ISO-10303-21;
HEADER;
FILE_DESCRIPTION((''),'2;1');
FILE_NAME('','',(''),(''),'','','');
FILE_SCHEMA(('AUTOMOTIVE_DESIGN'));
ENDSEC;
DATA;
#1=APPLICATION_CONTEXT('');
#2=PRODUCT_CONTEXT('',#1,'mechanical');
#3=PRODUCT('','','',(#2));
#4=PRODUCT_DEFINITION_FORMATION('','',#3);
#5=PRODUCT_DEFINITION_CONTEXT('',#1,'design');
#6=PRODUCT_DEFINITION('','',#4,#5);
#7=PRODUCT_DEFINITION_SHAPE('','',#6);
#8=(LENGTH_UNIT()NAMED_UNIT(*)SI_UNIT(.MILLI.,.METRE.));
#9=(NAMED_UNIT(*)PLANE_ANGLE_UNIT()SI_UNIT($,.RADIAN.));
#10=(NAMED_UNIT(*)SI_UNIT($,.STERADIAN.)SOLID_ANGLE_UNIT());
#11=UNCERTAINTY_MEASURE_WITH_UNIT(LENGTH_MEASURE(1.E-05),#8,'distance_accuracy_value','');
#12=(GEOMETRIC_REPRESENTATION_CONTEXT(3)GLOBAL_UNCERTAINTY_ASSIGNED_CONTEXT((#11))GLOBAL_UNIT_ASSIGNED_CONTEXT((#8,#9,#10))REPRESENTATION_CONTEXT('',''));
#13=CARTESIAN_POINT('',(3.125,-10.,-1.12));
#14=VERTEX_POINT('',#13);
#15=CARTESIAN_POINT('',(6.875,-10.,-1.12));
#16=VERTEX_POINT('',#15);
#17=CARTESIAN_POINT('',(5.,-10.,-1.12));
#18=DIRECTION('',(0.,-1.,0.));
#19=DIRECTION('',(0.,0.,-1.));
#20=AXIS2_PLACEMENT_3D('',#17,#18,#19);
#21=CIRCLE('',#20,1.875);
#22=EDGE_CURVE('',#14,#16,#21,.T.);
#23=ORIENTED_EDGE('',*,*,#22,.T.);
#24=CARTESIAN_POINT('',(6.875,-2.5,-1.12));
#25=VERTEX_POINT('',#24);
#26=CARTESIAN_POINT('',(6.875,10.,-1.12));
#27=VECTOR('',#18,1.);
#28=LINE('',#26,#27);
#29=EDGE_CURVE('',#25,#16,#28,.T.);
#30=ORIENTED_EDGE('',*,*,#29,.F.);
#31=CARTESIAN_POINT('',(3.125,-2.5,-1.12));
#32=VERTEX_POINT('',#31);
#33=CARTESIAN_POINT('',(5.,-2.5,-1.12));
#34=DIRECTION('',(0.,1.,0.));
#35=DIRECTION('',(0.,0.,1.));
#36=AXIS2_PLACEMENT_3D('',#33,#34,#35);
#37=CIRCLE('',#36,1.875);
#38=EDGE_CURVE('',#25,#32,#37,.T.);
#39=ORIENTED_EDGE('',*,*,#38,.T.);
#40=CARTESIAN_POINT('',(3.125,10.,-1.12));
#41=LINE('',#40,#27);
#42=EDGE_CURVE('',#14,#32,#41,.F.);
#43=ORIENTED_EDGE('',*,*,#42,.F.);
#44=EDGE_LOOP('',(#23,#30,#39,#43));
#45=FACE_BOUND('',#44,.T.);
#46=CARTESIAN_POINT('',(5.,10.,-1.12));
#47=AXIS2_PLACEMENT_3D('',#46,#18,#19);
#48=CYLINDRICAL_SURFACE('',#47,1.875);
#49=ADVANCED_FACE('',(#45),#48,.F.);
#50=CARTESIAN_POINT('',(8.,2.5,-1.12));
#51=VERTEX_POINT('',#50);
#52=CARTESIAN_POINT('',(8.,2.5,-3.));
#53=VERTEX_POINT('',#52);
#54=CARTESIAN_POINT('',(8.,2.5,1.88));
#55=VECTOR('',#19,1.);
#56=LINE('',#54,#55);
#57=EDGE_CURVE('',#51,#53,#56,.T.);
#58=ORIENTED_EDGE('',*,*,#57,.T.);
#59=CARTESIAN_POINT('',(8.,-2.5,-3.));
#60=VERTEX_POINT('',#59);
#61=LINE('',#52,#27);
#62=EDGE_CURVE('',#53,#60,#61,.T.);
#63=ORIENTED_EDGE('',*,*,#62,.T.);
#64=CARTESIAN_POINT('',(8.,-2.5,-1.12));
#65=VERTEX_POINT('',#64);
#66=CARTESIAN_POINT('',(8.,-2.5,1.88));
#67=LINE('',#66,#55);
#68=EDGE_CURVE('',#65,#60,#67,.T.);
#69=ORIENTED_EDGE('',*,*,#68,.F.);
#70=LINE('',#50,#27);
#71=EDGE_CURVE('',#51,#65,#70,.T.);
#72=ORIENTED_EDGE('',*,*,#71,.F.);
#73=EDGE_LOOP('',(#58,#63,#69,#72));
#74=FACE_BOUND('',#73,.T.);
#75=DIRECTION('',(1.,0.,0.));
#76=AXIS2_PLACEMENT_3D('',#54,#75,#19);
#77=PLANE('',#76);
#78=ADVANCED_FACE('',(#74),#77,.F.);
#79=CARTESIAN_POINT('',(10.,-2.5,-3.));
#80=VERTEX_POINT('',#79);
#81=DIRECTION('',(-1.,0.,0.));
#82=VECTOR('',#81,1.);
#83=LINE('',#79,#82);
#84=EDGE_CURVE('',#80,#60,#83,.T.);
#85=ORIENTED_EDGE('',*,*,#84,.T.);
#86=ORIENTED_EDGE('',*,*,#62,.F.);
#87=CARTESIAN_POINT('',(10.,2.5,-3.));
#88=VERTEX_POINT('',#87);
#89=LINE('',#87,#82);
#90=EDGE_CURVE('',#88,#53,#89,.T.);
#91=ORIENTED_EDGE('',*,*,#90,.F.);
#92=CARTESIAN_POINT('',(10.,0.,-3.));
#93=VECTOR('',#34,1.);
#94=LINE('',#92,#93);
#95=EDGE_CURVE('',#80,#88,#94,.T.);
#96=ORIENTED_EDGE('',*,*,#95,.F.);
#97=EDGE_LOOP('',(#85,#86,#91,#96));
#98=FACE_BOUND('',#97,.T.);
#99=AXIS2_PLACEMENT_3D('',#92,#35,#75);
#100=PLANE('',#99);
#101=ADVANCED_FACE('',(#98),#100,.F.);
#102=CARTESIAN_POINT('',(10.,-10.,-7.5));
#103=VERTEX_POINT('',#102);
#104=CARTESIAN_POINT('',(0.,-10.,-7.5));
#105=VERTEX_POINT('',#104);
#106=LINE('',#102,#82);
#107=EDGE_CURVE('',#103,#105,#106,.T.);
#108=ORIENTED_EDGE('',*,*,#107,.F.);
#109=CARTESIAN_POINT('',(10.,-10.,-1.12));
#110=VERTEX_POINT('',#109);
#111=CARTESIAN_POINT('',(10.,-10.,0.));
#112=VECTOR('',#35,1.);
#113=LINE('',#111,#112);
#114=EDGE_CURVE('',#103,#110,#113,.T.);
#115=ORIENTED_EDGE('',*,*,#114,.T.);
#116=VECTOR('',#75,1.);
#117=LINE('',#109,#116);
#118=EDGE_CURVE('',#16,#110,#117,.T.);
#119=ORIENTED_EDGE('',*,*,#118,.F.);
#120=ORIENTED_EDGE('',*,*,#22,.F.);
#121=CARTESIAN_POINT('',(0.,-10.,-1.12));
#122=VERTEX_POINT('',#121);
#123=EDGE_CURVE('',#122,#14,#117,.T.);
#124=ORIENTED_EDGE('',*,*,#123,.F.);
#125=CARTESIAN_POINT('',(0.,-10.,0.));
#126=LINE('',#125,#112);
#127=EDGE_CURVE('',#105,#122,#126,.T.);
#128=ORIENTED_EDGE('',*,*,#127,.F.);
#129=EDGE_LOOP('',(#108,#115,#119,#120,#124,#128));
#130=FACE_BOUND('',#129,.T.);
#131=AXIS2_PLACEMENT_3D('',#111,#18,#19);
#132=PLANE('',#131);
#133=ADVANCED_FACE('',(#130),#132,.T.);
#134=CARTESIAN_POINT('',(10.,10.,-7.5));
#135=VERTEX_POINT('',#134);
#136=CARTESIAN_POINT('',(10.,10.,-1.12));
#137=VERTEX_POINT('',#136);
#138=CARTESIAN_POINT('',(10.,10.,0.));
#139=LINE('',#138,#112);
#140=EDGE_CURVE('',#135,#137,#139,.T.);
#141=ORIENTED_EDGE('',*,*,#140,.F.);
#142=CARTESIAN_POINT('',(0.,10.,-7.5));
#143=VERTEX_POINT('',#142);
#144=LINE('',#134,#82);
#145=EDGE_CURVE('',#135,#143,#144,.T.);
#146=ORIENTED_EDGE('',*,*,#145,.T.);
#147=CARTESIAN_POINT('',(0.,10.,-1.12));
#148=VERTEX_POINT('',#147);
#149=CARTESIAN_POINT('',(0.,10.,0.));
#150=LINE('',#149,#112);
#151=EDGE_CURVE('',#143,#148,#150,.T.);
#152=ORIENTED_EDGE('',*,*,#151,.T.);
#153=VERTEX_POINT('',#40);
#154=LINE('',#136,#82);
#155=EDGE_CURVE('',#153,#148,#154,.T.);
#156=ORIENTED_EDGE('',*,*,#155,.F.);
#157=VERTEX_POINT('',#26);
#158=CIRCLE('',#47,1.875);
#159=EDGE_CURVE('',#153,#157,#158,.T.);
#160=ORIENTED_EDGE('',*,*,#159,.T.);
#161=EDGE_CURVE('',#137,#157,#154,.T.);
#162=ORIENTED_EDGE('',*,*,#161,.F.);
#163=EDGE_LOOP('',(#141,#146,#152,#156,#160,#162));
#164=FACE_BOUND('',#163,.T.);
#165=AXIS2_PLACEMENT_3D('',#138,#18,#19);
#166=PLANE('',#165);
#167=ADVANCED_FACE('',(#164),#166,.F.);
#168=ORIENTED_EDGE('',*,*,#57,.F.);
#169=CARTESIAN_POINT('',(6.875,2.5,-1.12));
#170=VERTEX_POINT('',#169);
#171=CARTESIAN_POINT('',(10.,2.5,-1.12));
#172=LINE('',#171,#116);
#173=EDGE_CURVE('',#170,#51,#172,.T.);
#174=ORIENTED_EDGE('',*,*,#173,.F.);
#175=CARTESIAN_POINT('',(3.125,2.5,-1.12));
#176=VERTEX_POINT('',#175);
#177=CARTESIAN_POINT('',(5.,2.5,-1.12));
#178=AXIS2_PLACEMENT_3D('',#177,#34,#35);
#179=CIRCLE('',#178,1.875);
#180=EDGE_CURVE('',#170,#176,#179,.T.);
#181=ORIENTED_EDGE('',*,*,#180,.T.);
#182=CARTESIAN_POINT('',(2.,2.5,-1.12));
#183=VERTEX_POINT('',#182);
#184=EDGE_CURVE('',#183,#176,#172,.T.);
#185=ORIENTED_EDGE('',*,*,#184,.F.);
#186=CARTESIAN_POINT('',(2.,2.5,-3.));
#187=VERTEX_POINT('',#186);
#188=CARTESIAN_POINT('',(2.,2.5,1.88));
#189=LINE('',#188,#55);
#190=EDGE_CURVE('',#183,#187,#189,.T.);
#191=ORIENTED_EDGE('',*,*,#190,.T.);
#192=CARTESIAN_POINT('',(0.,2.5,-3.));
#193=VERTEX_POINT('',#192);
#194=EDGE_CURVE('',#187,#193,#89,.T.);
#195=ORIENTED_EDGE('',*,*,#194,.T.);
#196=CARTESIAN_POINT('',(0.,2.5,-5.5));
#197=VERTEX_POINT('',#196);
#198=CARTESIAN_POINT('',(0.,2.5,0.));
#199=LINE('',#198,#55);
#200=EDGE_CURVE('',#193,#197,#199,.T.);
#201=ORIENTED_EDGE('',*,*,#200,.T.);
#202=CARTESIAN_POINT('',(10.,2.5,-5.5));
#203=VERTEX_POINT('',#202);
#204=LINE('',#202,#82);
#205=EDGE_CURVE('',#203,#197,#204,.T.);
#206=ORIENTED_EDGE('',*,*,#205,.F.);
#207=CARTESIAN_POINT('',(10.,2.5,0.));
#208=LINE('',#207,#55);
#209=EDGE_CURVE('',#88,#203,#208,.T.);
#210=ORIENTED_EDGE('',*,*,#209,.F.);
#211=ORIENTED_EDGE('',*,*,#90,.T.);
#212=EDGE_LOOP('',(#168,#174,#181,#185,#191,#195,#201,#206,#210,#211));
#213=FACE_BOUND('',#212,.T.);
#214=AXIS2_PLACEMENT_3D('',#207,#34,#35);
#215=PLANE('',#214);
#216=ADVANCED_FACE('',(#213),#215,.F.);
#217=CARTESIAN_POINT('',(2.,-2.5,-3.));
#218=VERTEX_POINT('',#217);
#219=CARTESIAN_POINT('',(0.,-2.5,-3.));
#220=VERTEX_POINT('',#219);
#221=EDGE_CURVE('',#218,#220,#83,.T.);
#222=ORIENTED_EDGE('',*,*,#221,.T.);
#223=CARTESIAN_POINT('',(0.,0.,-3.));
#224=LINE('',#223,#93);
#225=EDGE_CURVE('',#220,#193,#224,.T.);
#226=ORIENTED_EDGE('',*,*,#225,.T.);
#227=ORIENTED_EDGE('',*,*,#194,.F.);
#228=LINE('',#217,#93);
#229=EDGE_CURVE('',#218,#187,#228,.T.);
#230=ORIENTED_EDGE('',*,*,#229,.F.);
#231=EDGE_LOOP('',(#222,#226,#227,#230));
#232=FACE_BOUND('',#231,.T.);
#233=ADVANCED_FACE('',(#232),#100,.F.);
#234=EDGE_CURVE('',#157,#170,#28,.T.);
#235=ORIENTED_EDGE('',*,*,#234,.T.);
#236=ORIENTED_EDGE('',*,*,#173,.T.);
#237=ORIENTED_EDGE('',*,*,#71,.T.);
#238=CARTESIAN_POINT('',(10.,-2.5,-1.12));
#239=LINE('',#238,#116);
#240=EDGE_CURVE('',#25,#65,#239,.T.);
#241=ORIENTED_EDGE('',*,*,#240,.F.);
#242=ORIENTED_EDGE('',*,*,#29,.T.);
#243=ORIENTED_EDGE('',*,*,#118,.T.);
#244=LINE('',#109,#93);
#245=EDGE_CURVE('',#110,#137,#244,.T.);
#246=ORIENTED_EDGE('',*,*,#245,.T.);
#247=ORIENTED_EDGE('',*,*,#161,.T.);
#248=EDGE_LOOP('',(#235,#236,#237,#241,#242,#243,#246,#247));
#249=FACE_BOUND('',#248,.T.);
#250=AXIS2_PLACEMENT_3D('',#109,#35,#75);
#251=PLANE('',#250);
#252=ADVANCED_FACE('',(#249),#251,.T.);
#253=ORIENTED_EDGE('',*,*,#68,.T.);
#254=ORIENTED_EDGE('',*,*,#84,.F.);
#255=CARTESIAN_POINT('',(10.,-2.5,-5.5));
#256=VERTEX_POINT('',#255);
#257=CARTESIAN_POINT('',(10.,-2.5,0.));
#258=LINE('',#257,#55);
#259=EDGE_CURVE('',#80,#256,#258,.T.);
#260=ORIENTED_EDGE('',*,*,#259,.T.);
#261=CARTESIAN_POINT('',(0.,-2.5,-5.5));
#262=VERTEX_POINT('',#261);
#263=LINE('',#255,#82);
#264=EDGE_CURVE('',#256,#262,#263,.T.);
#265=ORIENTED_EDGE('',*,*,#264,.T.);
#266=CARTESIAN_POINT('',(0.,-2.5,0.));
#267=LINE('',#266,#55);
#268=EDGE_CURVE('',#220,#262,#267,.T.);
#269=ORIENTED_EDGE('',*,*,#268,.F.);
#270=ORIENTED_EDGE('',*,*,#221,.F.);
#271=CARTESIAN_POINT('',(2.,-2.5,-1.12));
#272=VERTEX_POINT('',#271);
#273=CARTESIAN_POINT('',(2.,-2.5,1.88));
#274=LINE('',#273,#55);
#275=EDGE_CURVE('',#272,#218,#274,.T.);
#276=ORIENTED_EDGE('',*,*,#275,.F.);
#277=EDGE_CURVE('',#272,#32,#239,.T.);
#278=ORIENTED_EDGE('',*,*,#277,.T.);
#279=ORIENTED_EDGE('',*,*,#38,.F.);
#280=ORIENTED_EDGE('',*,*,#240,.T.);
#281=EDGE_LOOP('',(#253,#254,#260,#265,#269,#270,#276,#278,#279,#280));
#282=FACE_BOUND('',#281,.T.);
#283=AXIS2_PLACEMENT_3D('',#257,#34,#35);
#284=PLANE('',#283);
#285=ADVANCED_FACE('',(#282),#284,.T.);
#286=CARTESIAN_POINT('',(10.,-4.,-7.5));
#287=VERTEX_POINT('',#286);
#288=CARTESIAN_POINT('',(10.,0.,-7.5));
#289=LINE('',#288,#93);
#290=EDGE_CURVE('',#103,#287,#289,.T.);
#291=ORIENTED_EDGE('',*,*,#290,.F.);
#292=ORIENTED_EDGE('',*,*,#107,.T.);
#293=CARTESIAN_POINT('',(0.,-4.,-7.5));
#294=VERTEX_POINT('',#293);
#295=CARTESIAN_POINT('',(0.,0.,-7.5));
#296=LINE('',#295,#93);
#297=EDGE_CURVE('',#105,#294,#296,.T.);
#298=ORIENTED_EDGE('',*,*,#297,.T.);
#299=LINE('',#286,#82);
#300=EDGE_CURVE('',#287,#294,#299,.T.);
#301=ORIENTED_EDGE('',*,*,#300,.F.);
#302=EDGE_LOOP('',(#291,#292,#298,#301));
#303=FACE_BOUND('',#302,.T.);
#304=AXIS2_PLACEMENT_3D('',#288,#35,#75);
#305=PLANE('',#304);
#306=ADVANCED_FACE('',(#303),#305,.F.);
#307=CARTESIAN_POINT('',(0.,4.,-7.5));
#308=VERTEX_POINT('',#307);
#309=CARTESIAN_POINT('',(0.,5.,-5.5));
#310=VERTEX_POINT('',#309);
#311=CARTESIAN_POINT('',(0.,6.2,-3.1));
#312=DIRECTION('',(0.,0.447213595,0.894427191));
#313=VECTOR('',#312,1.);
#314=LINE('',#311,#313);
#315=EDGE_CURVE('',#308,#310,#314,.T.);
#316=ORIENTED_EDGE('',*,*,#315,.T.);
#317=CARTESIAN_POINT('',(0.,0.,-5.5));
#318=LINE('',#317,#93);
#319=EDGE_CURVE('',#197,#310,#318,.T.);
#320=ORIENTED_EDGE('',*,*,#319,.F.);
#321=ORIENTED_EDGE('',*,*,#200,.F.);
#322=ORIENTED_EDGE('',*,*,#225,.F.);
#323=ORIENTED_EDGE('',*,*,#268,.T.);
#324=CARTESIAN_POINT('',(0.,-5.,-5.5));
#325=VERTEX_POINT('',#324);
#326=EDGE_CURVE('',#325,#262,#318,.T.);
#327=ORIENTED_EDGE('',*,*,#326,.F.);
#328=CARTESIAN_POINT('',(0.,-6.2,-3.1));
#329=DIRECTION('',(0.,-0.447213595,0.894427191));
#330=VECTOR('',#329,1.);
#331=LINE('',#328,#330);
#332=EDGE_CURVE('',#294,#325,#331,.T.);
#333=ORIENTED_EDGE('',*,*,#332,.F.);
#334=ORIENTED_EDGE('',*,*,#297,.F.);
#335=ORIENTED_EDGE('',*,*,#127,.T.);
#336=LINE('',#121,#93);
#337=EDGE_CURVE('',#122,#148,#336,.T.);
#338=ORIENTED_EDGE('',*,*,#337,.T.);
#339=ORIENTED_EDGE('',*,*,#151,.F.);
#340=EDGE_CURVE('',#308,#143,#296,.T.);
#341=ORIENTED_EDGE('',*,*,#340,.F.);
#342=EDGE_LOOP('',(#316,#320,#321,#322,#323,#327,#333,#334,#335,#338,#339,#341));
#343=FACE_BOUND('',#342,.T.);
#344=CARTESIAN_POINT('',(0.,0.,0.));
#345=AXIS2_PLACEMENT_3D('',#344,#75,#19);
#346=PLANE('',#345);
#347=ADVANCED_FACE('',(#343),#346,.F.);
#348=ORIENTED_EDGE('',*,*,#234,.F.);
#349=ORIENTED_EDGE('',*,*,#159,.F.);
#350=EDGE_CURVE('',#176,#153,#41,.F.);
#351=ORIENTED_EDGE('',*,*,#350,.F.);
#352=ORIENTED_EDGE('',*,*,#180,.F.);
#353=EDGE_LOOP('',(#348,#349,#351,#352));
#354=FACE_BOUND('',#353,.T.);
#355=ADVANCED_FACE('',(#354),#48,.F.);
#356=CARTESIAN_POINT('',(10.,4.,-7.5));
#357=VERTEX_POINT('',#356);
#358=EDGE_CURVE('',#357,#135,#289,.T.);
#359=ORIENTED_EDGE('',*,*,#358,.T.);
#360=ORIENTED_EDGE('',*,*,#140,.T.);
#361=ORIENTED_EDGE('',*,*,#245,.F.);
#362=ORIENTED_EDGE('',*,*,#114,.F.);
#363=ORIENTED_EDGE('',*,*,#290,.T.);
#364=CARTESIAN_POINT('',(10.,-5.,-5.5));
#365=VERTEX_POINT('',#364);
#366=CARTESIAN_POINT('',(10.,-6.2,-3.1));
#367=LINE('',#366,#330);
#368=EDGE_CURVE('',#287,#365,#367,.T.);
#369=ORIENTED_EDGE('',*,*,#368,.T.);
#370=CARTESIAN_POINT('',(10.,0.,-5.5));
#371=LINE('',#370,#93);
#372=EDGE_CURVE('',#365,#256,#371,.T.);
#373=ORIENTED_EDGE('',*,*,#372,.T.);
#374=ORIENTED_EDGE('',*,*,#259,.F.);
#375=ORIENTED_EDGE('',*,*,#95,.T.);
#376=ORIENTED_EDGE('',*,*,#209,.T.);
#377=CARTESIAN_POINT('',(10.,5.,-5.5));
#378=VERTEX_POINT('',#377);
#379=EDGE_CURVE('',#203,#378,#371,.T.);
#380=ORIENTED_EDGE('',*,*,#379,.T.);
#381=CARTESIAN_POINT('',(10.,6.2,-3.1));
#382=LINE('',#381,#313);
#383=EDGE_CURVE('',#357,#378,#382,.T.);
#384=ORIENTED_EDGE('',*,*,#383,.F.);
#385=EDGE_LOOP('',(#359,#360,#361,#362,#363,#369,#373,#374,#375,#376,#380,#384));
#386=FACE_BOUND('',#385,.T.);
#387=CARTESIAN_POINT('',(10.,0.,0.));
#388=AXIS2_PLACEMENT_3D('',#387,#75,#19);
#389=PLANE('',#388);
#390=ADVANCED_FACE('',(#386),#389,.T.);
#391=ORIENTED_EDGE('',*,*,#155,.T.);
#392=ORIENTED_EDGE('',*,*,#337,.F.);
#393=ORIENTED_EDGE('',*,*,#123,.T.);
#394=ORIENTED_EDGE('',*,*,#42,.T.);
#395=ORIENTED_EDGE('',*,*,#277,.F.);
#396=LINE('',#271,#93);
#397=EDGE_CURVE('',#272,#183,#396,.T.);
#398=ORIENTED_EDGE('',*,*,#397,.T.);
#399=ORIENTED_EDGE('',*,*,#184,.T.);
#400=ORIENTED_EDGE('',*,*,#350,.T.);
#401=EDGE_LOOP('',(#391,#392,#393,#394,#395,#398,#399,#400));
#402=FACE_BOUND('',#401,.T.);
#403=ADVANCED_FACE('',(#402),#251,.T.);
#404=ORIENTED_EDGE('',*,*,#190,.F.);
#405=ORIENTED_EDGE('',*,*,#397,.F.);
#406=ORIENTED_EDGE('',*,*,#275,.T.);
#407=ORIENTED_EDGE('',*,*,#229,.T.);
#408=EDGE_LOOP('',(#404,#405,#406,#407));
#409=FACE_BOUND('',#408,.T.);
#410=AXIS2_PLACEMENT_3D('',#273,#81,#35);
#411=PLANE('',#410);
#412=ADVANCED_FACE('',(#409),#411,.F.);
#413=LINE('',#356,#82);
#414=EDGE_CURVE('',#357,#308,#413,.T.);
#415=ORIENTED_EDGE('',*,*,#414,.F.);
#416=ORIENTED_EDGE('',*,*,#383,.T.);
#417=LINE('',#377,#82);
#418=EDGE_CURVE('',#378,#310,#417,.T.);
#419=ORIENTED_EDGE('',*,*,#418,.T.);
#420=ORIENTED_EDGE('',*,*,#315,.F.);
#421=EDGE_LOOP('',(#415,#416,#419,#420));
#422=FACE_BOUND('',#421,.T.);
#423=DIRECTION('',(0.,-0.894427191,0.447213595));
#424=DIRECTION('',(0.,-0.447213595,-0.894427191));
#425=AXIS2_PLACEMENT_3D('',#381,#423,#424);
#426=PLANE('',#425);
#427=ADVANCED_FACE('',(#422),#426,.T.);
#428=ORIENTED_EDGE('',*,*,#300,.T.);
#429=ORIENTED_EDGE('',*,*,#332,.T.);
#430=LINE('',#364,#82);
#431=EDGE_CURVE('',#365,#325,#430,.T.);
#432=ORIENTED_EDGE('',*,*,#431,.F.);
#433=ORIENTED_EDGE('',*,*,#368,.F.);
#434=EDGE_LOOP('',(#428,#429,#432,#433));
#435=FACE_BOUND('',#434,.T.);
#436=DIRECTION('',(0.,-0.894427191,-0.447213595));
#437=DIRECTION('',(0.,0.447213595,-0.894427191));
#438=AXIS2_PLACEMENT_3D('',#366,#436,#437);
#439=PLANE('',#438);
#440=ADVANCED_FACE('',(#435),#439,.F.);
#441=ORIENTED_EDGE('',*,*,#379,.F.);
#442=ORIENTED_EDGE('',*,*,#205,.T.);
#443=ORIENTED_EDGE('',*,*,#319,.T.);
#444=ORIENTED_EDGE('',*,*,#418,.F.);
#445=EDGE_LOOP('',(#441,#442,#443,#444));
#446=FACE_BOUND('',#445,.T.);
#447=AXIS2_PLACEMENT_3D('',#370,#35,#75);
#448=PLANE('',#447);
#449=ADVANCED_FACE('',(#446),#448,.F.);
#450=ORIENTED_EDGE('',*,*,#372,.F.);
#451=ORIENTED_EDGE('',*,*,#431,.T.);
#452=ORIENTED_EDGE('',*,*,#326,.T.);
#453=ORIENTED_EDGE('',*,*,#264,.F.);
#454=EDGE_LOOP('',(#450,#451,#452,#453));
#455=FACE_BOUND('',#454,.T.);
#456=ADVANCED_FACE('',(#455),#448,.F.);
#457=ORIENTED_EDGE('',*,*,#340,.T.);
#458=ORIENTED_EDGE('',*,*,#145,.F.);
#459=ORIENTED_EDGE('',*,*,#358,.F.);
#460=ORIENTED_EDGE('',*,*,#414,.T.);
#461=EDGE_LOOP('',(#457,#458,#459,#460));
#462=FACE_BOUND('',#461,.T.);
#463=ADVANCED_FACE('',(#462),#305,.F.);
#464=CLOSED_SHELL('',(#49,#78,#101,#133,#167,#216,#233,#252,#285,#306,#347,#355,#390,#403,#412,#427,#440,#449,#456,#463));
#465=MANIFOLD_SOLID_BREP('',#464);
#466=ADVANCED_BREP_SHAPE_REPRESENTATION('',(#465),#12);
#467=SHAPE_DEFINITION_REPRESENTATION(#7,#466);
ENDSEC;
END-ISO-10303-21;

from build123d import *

# Parameters (mm, degrees)
BOSS_EXTRUDE1_DEPTH     = 10
CUT_EXTRUDE2_DEPTH      = 4.88
CUT_EXTRUDE4_DEPTH      = 18.67766953
CUT_EXTRUDE4_DEPTH_BACK = 18.67766953
SKETCH6_3_R             = 1.875
CUT_EXTRUDE5_DEPTH      = 24.58495283
CUT_EXTRUDE5_DEPTH_BACK = 24.58495283
SKETCH7_OUTSIDE_W       = 17.386
SKETCH7_OUTSIDE_H       = 22.386
SKETCH7_OUTSIDE_W_2     = 10
SKETCH7_OUTSIDE_H_2     = 6.38


with BuildPart() as part:
    # Sketch2 → Boss-Extrude1 (new body)
    with BuildSketch(Plane.YZ):
        Polygon((-10, -7.5), (-4, -7.5), (-5, -5.5), (-2.5, -5.5), (-2.5, -3), (2.5, -3), (2.5, -5.5), (5, -5.5), (4, -7.5), (10, -7.5), (10, 7.5), (-10, 7.5), align=None)
    extrude(amount=BOSS_EXTRUDE1_DEPTH)

    # Sketch4 → Cut-Extrude2 (cut)
    with BuildSketch(Plane(origin=(0, 0, -3), x_dir=(1, 0, 0), z_dir=(0, 0, -1))):
        Polygon((5, 2.5), (2, 2.5), (2, -2.5), (8, -2.5), (8, 2.5), align=None)
    extrude(amount=-CUT_EXTRUDE2_DEPTH, mode=Mode.SUBTRACT)

    # Sketch6<3> → Cut-Extrude4 (cut, two sides: drawn at the far end of the back side and taken through both)
    with BuildSketch(Plane.XZ.offset(-2.5).offset(-CUT_EXTRUDE4_DEPTH_BACK)):
        with Locations((5, -1.12)):
            Circle(SKETCH6_3_R)
    extrude(amount=CUT_EXTRUDE4_DEPTH + CUT_EXTRUDE4_DEPTH_BACK, mode=Mode.SUBTRACT)

    # Sketch7 outside → Cut-Extrude5 (cut, two sides: drawn at the far end of the back side and taken through both)
    with BuildSketch(Plane(origin=(0, 10, 0), x_dir=(-1, 0, 0), z_dir=(0, 1, 0)).offset(-CUT_EXTRUDE5_DEPTH_BACK)):
        with Locations((-5, 0)):
            Rectangle(SKETCH7_OUTSIDE_W, SKETCH7_OUTSIDE_H)
        with Locations((-5, -4.31)):
            Rectangle(SKETCH7_OUTSIDE_W_2, SKETCH7_OUTSIDE_H_2, mode=Mode.SUBTRACT)
    extrude(amount=CUT_EXTRUDE5_DEPTH + CUT_EXTRUDE5_DEPTH_BACK, mode=Mode.SUBTRACT)


solid = part.part
